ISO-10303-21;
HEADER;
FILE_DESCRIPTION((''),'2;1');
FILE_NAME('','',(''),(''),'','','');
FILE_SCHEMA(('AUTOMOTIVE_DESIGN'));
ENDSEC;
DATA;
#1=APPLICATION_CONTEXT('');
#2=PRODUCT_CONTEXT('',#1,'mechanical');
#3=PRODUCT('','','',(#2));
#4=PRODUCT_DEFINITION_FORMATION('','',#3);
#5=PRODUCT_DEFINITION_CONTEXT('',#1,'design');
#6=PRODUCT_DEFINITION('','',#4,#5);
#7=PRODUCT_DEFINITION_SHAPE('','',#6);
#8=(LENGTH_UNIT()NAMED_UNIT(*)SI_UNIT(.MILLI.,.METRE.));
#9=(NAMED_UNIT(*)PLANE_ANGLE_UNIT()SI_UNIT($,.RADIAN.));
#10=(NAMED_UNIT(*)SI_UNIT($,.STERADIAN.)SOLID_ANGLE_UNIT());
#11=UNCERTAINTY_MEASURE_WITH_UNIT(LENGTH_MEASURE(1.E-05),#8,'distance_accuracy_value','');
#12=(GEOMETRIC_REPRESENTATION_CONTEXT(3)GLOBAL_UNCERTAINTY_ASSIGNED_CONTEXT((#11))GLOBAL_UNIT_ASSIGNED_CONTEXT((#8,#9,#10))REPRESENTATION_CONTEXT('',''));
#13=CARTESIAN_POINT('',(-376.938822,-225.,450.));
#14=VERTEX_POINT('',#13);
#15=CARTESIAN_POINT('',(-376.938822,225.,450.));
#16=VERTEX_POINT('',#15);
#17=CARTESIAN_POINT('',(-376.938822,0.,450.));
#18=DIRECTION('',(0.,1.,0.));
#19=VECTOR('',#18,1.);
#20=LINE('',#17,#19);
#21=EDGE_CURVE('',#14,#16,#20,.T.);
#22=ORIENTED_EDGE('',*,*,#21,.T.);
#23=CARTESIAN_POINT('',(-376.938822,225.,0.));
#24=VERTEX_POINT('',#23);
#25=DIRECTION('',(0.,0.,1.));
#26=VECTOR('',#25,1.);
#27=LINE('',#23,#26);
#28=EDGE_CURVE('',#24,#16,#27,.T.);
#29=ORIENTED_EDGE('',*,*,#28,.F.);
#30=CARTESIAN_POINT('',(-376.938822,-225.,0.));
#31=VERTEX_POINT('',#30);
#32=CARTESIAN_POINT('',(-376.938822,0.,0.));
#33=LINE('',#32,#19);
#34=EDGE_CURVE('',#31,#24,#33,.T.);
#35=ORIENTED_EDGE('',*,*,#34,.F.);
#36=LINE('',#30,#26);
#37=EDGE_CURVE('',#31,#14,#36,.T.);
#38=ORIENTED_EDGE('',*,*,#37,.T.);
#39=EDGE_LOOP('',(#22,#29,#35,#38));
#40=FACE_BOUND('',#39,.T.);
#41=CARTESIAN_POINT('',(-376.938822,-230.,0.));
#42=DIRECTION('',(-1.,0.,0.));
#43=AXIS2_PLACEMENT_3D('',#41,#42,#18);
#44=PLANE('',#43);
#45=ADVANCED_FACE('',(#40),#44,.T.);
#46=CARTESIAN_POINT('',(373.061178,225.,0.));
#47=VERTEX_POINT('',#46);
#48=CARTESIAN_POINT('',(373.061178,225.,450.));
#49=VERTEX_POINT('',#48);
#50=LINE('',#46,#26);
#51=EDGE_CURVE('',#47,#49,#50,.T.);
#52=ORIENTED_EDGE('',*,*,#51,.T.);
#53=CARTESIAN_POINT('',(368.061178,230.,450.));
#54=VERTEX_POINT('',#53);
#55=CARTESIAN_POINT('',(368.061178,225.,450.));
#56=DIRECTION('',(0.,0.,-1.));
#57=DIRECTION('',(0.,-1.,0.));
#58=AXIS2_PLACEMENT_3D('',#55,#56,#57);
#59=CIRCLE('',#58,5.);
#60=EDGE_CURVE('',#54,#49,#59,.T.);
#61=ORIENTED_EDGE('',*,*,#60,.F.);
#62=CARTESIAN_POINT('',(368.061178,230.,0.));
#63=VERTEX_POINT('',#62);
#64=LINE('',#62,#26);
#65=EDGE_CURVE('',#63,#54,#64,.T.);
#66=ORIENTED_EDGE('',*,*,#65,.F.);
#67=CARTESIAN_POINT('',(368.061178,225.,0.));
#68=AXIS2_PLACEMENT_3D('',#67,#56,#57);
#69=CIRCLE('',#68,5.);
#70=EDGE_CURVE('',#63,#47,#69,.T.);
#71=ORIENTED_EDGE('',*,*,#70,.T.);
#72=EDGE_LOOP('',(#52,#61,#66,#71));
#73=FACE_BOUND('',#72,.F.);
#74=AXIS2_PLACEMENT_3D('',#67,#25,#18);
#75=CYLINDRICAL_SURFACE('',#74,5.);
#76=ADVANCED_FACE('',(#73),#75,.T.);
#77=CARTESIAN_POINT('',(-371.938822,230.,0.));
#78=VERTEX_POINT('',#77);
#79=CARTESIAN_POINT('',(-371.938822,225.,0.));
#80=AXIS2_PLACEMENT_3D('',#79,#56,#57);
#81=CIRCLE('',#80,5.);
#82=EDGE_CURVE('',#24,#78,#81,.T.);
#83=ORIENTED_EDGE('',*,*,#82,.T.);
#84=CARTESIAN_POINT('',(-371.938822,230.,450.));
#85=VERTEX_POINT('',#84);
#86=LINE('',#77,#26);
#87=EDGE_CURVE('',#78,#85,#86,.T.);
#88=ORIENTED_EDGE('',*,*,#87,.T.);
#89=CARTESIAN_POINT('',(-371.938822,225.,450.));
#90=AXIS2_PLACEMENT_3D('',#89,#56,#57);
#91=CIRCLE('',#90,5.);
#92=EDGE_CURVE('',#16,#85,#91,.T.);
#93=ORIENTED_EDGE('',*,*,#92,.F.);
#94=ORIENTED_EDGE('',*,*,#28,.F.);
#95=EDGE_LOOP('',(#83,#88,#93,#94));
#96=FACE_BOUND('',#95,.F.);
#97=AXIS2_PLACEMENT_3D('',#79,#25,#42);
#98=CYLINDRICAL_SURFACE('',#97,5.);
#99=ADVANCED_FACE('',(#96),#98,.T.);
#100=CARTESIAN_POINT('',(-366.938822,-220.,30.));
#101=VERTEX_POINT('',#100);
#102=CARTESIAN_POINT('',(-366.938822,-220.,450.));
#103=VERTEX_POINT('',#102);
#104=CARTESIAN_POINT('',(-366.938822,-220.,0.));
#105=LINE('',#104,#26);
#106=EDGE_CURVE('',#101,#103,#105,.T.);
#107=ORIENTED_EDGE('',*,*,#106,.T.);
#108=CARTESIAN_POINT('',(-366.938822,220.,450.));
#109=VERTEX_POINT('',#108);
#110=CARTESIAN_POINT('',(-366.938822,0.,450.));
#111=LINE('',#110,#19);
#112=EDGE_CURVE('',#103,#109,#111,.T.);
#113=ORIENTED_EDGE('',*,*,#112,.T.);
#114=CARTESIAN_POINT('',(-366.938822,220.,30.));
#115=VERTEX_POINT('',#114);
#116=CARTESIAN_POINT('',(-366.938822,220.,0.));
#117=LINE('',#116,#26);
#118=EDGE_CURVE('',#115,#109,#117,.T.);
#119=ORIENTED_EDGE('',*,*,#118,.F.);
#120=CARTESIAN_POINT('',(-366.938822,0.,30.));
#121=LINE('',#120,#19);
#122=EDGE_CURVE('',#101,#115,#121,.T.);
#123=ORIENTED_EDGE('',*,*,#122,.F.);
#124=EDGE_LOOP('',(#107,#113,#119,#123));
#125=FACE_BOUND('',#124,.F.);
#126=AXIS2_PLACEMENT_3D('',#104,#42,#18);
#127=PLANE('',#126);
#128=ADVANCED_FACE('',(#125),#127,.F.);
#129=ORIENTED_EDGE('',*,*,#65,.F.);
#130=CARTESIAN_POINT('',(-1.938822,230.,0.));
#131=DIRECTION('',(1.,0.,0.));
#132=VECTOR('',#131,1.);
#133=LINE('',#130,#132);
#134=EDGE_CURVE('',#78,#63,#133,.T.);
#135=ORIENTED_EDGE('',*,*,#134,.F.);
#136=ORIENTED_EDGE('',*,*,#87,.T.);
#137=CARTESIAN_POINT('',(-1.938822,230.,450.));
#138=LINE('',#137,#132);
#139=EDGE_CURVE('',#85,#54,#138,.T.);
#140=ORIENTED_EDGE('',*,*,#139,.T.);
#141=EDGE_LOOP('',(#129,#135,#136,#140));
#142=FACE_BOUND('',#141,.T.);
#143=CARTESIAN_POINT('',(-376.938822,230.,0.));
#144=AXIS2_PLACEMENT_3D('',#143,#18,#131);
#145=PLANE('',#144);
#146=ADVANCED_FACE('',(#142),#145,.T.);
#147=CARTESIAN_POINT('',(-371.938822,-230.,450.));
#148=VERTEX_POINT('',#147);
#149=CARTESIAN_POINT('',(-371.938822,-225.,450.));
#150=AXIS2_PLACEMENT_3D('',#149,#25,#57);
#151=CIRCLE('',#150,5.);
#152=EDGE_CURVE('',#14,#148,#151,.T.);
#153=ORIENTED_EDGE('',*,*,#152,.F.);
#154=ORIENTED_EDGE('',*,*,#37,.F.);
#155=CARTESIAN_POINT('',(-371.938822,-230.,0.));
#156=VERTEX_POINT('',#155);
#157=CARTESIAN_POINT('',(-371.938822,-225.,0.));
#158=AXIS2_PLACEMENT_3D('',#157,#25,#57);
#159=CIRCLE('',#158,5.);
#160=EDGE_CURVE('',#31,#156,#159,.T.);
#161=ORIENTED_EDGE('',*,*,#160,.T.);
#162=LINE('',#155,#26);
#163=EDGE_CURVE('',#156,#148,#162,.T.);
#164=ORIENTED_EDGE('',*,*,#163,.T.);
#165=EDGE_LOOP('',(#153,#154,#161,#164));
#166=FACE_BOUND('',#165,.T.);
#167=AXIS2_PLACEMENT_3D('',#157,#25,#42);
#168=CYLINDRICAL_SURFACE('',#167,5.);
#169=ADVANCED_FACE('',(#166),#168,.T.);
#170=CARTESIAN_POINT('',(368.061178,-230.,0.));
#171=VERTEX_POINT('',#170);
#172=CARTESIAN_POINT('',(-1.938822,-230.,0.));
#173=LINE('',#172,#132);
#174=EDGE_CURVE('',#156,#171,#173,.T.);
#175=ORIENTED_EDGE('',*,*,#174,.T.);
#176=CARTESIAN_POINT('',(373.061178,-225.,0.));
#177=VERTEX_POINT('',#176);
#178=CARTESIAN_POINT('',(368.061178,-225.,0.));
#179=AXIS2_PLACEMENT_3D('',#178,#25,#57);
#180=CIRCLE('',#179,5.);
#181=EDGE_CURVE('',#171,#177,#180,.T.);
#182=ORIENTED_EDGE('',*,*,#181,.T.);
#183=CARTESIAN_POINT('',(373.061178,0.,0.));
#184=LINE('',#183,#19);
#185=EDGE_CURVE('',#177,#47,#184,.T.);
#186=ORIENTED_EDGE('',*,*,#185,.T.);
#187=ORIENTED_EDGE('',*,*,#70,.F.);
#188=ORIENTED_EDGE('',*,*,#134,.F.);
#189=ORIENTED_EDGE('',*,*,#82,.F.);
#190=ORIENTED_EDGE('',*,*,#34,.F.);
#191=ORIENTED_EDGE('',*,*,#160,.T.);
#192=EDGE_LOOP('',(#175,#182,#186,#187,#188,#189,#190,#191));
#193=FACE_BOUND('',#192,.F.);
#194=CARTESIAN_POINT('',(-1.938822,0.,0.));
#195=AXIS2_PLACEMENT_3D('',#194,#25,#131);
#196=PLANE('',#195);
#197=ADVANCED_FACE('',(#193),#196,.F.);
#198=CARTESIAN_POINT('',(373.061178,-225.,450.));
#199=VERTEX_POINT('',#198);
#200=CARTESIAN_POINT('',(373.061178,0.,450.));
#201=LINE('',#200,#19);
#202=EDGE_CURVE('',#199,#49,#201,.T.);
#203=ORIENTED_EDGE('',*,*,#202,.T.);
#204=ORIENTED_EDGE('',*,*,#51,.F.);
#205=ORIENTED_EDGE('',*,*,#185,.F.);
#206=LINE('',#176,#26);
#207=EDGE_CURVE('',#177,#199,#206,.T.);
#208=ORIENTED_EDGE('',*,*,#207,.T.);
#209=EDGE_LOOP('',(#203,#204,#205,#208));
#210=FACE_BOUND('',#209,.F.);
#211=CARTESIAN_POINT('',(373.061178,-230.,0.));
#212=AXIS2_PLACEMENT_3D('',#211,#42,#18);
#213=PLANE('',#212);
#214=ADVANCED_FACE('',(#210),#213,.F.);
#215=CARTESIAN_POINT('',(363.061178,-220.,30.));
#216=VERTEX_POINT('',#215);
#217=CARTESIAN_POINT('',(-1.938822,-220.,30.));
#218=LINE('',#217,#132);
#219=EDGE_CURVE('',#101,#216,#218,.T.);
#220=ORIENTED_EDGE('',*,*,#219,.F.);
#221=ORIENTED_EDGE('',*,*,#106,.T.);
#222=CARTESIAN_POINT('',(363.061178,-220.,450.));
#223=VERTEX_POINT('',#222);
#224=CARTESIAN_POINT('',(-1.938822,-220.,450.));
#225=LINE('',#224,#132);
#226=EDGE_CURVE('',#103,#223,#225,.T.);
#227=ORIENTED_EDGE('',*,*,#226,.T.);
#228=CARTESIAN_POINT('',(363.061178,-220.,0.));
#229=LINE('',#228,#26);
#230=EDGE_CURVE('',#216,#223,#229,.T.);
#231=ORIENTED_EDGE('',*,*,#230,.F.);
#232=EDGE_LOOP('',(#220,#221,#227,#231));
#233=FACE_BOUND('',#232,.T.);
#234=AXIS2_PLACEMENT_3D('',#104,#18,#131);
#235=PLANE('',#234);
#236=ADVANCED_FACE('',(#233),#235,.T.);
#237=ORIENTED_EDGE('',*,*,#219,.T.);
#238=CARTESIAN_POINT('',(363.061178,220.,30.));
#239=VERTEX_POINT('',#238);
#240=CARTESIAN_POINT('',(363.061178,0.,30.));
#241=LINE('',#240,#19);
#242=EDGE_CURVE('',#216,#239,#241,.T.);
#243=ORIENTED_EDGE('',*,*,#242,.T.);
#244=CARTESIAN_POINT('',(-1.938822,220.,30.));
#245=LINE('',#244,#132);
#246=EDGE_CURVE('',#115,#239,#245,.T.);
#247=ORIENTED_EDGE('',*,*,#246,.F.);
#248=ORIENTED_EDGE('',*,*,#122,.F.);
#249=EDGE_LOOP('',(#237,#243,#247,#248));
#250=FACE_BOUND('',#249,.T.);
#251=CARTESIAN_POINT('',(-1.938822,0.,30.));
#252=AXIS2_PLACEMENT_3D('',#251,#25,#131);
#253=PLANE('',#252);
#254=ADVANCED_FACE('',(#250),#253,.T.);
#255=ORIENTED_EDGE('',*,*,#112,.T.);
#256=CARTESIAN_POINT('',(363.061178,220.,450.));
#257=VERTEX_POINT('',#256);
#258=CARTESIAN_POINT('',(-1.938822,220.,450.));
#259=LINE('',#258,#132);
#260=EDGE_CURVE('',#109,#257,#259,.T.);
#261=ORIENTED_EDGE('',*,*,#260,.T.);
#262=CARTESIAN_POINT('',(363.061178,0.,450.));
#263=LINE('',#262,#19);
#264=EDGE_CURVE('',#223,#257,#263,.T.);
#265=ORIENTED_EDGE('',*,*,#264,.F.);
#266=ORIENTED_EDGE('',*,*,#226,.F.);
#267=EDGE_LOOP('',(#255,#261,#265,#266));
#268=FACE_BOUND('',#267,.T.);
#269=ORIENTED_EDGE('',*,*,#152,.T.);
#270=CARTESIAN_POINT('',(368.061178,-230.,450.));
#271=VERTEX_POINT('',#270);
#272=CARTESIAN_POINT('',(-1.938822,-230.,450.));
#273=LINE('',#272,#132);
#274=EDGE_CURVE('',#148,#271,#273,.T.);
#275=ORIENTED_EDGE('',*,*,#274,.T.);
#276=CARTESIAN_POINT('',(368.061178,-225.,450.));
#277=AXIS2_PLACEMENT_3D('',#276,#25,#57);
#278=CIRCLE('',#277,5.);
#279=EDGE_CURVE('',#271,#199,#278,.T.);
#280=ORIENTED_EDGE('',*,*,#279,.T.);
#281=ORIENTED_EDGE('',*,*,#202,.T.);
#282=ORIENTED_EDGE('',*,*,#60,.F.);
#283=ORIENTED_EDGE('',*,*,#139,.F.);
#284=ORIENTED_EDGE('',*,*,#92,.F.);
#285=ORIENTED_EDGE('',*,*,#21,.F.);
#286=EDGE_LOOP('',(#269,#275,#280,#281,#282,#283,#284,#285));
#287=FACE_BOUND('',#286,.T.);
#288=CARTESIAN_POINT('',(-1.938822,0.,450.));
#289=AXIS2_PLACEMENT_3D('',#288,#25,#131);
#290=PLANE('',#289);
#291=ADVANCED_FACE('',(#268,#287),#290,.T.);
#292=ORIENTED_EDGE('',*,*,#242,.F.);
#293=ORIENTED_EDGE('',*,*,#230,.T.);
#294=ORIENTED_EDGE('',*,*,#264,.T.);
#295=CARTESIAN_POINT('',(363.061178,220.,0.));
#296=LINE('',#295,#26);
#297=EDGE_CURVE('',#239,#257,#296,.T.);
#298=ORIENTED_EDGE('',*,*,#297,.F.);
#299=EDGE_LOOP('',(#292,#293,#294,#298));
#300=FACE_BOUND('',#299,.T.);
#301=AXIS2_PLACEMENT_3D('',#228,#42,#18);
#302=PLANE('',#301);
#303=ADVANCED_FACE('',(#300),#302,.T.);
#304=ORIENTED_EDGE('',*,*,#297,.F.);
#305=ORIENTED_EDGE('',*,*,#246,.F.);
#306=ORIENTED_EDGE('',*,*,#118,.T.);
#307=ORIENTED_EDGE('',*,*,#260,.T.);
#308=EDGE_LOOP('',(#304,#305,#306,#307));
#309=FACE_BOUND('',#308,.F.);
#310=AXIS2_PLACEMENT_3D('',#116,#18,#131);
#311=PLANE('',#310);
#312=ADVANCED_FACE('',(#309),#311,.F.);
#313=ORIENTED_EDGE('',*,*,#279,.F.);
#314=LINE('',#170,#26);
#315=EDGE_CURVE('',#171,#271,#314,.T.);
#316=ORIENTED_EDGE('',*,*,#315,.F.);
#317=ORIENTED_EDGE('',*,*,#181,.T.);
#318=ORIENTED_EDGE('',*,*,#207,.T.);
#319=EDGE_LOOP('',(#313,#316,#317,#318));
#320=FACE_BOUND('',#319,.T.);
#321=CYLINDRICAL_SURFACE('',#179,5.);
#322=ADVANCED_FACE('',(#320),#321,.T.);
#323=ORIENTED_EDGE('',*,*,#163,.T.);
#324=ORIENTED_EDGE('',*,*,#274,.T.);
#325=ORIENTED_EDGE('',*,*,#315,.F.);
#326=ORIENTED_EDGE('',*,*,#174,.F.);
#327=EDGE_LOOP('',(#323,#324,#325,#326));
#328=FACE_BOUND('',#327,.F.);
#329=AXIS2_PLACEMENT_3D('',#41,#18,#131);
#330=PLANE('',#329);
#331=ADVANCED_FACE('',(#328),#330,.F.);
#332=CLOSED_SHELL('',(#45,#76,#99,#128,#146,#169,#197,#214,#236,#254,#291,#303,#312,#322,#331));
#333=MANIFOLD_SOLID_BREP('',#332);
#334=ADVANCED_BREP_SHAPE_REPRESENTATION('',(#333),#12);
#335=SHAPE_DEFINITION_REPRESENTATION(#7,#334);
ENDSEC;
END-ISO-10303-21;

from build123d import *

# Parameters (mm, degrees)
F0_W     = 730
F0_H     = 440
F1_DEPTH = 30
F0_W_2   = 750
F0_H_2   = 460
F2_DEPTH = 450
F3_R     = 5


with BuildPart() as f1:
    # F0 (on Top) → F1 (new body)
    with BuildSketch(Plane.XY):
        with Locations((-1.938822, 0)):
            Rectangle(F0_W, F0_H)
    extrude(amount=F1_DEPTH)

    # F0 (on Top) → F2 (join)
    with BuildSketch(Plane.XY):
        with Locations((-1.938822, 0)):
            Rectangle(F0_W_2, F0_H_2)
        with Locations((-1.938822, 0)):
            Rectangle(F0_W, F0_H, mode=Mode.SUBTRACT)
    extrude(amount=F2_DEPTH)

    # F3
    f3_edges = [f1.edges().sort_by_distance(p)[0] for p in [
        (-376.938822, -230, 225),
        (373.061178, -230, 225),
        (373.061178, 230, 225),
        (-376.938822, 230, 225),
    ]]
    fillet(f3_edges, radius=F3_R)


solid = f1.part
